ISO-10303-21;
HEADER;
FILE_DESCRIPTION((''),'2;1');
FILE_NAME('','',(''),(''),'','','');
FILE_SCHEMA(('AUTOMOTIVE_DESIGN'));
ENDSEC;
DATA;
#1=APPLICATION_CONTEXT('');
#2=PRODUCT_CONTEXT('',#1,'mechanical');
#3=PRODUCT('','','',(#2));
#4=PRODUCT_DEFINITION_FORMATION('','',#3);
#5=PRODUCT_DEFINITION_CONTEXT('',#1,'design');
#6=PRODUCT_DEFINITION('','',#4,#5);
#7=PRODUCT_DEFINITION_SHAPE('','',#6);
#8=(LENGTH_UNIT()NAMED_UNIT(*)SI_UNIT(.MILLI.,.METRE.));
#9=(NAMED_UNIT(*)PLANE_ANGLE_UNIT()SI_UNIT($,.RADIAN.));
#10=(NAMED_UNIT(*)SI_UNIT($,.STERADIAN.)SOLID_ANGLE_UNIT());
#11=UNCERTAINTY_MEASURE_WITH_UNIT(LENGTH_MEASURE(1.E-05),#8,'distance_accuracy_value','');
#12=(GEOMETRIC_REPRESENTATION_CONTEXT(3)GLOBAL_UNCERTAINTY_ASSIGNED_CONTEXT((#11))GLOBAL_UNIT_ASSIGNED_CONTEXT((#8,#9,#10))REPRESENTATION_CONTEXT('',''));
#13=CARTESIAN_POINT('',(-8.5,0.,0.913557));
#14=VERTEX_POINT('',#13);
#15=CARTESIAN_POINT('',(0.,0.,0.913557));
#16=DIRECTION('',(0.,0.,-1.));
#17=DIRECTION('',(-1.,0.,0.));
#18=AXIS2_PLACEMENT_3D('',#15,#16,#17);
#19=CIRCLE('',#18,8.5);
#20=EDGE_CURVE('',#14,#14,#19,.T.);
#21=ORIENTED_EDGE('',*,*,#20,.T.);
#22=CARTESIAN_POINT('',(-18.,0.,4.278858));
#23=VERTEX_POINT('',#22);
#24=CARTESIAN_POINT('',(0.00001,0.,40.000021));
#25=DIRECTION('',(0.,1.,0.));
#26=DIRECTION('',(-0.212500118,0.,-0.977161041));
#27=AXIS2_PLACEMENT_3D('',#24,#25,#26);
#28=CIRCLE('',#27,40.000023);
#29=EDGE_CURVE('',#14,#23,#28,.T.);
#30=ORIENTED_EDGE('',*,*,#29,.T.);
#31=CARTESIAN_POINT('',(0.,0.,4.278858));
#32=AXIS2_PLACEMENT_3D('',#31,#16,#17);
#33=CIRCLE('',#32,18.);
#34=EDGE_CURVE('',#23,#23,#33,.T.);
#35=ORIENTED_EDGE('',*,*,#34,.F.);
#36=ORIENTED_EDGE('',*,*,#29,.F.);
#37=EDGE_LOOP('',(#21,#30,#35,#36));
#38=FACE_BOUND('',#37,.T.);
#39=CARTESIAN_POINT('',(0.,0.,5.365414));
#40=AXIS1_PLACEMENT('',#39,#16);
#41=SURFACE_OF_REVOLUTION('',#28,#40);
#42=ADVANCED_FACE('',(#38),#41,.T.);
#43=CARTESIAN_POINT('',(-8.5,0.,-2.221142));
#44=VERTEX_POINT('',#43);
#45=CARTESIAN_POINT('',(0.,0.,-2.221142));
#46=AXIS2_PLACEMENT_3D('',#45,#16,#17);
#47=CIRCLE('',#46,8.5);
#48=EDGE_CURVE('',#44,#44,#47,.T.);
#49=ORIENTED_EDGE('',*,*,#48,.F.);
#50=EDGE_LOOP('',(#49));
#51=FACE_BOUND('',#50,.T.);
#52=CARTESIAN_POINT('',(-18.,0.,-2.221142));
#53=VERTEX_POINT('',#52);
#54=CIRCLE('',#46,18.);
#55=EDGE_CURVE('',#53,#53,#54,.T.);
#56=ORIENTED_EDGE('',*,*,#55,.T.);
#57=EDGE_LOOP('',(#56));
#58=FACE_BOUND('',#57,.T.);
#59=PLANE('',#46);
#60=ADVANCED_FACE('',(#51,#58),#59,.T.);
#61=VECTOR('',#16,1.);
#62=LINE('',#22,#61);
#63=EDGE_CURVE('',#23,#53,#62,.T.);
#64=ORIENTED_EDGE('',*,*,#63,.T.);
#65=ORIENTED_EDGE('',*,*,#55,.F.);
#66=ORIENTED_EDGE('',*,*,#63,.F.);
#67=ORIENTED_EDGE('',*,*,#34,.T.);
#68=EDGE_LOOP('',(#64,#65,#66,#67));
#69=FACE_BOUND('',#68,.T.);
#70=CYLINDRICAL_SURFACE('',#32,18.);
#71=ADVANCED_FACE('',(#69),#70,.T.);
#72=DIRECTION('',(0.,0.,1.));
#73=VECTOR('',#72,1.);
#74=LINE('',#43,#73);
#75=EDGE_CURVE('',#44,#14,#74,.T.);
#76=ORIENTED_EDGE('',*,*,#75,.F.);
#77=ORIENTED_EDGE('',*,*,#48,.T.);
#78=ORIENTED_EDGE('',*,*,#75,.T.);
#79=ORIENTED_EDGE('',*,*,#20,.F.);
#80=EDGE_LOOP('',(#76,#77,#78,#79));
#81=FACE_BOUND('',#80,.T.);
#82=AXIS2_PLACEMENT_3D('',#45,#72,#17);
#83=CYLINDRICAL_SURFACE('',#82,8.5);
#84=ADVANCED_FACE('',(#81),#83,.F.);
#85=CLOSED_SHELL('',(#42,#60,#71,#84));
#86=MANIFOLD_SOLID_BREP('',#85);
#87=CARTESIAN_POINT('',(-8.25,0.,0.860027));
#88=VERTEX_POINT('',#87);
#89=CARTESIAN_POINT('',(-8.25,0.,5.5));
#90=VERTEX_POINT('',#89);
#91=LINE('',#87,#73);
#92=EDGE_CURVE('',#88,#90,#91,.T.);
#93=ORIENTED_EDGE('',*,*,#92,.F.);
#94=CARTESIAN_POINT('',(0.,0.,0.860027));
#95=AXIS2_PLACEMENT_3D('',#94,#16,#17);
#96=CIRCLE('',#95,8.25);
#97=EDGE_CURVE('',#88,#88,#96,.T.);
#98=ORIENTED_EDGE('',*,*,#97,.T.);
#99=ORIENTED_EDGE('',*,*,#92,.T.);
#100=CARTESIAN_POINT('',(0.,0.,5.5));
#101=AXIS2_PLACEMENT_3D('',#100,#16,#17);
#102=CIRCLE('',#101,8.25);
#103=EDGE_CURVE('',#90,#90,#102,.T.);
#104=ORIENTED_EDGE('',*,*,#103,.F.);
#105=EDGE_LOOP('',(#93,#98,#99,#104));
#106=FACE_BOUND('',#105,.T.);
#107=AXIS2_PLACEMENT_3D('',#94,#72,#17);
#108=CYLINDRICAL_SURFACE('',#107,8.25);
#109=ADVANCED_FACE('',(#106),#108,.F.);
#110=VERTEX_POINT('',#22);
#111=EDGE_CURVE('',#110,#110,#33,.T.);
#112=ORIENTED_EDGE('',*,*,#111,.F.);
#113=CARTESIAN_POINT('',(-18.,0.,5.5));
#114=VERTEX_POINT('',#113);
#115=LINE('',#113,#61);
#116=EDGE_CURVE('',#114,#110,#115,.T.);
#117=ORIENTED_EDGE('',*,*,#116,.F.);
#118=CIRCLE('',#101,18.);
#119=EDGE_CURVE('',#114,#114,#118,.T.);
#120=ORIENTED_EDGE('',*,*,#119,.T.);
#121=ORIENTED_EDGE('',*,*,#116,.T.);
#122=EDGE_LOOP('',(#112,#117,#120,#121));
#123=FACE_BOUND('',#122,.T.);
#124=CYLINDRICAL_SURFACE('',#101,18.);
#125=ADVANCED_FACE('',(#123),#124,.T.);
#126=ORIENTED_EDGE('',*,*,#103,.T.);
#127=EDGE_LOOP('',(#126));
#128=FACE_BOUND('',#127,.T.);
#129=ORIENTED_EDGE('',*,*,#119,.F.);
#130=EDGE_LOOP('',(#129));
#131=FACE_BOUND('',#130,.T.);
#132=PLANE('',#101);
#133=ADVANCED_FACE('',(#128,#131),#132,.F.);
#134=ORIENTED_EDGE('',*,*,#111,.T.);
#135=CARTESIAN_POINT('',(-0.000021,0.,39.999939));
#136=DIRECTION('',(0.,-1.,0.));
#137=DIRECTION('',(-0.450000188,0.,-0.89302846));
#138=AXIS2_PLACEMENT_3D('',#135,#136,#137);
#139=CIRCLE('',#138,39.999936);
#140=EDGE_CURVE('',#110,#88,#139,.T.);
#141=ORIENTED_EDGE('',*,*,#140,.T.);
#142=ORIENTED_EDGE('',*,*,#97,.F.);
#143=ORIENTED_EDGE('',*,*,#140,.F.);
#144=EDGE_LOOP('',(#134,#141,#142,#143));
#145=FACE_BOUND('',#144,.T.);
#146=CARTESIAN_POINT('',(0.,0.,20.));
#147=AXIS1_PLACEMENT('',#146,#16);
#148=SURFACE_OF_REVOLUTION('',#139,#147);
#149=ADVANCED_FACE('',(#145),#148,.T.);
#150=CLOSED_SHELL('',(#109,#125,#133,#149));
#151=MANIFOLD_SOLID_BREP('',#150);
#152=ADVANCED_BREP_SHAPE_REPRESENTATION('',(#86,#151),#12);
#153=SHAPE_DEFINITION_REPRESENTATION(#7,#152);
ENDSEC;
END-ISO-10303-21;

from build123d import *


with BuildPart() as f1:
    # F0 (on Front) → F1 (revolve)
    with BuildSketch(Plane.XZ):
        with BuildLine():
            Line((-8.25, 5.5), (-18, 5.5))
            Line((-18, 5.5), (-18, 4.278858))
            ThreePointArc((-18, 4.278858), (-13.23585, 2.253314), (-8.25, 0.860027))
            Line((-8.25, 0.860027), (-8.25, 5.5))
        make_face()
    revolve(axis=Axis((0, 0, 20), (0, 0, -1)))


with BuildPart() as f3:
    # F2 (on Front) → F3 (revolve)
    with BuildSketch(Plane.XZ):
        with BuildLine():
            ThreePointArc((-8.5, 0.913557), (-13.356415, 2.295807), (-18, 4.278858))
            Line((-18, 4.278858), (-18, -2.221142))
            Line((-18, -2.221142), (-8.5, -2.221142))
            Line((-8.5, -2.221142), (-8.5, 0.913557))
        make_face()
    revolve(axis=Axis((0, 0, 5.365414), (0, 0, -1)))


solid = Compound([f1.part, f3.part])
